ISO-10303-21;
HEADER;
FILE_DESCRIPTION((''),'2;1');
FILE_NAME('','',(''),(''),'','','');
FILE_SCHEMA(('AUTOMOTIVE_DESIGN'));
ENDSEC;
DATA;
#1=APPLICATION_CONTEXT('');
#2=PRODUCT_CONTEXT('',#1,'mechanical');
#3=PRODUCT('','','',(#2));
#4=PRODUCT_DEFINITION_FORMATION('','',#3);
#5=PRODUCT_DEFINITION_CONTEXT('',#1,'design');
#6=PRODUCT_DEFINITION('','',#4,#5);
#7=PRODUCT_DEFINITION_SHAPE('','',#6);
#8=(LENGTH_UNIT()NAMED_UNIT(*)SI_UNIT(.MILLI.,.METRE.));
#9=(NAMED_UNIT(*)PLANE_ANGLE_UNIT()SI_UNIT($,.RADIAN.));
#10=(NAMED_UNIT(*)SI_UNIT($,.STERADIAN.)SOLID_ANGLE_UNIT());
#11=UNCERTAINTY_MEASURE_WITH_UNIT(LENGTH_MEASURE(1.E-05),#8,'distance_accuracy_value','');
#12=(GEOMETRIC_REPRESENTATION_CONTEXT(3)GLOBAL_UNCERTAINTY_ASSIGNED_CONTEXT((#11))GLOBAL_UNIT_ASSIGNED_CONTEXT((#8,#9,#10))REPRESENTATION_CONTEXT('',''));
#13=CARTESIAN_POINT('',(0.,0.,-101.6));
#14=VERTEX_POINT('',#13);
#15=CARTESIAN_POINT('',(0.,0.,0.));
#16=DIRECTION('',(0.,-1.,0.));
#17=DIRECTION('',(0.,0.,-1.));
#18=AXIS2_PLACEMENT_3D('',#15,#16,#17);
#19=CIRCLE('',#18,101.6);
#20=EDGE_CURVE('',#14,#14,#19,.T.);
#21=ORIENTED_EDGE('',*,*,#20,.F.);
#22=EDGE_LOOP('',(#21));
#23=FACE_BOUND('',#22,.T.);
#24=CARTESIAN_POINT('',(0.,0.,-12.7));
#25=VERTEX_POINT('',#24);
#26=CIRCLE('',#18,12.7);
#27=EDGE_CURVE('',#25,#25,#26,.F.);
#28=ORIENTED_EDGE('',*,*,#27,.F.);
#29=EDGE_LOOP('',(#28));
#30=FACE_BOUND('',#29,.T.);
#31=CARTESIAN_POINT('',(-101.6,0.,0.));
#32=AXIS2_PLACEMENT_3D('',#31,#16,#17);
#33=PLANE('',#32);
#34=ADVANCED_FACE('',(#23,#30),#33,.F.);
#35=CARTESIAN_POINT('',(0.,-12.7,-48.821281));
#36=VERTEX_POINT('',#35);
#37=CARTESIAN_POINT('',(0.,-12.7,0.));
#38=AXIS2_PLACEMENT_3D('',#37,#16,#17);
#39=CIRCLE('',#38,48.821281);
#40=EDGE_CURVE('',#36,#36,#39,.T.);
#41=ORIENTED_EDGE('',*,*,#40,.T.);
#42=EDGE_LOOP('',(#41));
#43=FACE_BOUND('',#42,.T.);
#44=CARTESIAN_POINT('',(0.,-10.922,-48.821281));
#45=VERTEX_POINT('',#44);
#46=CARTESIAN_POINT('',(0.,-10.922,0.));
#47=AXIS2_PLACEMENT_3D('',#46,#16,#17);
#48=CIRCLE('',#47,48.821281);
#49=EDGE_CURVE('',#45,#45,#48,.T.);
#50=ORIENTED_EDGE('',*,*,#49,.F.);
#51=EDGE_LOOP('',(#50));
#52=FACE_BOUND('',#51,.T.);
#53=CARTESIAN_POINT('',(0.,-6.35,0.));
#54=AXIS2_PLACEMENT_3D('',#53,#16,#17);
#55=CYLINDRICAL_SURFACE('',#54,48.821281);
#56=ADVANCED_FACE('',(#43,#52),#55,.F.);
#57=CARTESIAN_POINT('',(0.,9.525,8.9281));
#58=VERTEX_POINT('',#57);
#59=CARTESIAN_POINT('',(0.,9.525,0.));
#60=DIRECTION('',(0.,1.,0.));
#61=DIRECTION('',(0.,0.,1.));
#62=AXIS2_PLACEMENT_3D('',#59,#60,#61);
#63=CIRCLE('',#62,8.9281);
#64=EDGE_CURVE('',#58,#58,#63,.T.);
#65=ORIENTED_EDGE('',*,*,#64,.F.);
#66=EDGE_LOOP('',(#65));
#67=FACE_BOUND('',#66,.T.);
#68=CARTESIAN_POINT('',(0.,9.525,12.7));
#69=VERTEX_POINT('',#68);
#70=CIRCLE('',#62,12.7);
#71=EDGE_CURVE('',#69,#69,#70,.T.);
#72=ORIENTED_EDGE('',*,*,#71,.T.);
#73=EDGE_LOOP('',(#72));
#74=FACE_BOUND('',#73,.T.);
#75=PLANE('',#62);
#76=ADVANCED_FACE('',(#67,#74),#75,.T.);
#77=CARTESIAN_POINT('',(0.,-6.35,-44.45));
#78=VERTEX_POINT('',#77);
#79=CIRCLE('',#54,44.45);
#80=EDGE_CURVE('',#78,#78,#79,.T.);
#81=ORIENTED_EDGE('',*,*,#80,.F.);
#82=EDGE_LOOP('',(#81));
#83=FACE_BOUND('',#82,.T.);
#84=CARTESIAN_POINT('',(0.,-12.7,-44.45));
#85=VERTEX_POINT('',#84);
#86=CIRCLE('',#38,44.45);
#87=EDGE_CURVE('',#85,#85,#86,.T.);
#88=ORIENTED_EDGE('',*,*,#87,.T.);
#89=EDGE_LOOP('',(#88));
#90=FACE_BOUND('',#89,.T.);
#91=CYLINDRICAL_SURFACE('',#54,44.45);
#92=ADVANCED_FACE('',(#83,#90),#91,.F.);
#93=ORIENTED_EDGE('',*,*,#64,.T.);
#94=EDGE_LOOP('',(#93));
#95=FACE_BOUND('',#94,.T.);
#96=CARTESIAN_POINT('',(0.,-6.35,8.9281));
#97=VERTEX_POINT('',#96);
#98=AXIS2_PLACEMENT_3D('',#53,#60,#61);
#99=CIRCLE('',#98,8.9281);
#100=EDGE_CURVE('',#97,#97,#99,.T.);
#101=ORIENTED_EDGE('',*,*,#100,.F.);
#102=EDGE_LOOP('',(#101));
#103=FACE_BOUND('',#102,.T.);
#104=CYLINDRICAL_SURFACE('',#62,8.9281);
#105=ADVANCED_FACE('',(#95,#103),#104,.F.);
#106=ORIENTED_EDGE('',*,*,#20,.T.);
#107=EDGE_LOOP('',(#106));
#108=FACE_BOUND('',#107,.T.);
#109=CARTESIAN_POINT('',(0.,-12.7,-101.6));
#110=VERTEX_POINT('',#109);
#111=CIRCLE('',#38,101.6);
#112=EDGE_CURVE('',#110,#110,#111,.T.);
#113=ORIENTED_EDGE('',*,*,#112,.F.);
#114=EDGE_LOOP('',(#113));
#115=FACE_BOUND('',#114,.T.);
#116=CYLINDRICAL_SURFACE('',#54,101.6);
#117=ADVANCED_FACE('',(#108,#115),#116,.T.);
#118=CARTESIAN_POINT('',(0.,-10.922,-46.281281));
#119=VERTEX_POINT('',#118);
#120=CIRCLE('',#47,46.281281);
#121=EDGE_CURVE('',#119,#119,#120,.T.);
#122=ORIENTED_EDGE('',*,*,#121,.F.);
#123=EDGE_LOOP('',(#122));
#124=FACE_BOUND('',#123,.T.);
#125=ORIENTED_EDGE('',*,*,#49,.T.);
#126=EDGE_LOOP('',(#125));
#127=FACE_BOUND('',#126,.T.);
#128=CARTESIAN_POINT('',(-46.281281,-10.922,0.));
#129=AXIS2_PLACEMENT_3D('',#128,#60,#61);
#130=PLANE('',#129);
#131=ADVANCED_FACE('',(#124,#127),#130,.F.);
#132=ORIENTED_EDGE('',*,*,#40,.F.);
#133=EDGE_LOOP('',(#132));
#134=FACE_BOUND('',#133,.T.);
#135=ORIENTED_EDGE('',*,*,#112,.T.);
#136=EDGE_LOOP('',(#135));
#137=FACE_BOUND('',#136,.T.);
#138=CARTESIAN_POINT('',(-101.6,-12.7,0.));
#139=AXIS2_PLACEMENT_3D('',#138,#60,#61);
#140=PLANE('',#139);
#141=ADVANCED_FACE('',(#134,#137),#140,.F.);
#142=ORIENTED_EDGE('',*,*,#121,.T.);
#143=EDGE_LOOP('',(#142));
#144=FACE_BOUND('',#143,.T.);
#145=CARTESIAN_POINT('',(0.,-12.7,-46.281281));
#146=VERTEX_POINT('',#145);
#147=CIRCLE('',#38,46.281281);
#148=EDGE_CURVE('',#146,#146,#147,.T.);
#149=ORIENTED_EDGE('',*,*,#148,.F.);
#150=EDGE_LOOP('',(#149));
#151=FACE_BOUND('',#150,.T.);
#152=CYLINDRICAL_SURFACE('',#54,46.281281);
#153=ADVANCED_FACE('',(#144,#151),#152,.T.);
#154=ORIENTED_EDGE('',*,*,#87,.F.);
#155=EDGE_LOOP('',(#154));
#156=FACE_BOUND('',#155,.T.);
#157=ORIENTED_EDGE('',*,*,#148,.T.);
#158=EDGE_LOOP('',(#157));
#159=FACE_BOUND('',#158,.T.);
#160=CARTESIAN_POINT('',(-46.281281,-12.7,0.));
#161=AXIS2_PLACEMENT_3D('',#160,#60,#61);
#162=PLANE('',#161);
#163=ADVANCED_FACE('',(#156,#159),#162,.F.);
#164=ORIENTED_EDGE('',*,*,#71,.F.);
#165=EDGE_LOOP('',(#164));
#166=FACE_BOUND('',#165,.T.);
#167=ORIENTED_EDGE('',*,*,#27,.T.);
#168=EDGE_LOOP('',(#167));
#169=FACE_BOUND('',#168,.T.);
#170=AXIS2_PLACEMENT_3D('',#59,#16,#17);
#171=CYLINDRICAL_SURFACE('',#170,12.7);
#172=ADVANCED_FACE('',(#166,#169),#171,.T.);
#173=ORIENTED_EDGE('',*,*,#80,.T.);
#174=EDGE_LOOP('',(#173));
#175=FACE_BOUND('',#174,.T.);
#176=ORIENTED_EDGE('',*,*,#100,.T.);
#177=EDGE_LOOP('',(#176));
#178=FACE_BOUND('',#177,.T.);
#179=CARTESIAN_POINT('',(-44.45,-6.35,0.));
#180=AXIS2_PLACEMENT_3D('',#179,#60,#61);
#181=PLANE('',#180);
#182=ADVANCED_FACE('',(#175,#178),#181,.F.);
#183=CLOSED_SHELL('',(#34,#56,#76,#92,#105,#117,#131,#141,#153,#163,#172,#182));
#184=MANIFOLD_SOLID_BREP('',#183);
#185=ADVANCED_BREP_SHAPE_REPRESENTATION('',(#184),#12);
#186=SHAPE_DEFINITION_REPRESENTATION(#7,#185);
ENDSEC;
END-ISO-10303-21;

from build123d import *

# Parameters (mm, degrees)
SKETCH2_R                         = 12.7
BOSS_EXTRUDE1_DEPTH               = 9.525
PIPE_TAP_DRILL_FOR_1_2_TAP1_D     = 17.8562
PIPE_TAP_DRILL_FOR_1_2_TAP1_DEPTH = 31.75
PIPE_TAP_DRILL_FOR_1_2_TAP1_TIP   = 5.364543693


with BuildPart() as part:
    # Sketch1 → Revolve1 (revolve)
    with BuildSketch(Plane.XY):
        Polygon((-101.6, 0), (-101.6, -12.7), (-48.821281066, -12.7), (-48.821281066, -10.922), (-46.281281066, -10.922), (-46.281281066, -12.7), (-44.45, -12.7), (-44.45, -6.35), (0, -6.35), (0, 0), align=None)
    revolve(axis=Axis((0, -6.35, 0), (0, 1, 0)))

    # Sketch2 → Boss-Extrude1 (add)
    with BuildSketch(Plane(origin=(0, 0, 0), x_dir=(1, 0, 0), z_dir=(0, 1, 0))):
        Circle(SKETCH2_R)
    extrude(amount=BOSS_EXTRUDE1_DEPTH)

    # Pipe Tap Drill for 1/2 Tap1
    with Locations(Plane(origin=(0, 9.525, 0), x_dir=(1, 0, 0), z_dir=(0, 1, 0))):
        with Locations((0, 0)):
            Hole(PIPE_TAP_DRILL_FOR_1_2_TAP1_D / 2, depth=PIPE_TAP_DRILL_FOR_1_2_TAP1_DEPTH)
            with Locations((0, 0, -(PIPE_TAP_DRILL_FOR_1_2_TAP1_DEPTH + PIPE_TAP_DRILL_FOR_1_2_TAP1_TIP / 2))):  # 118° drill point
                Cone(0, PIPE_TAP_DRILL_FOR_1_2_TAP1_D / 2, PIPE_TAP_DRILL_FOR_1_2_TAP1_TIP, mode=Mode.SUBTRACT)


solid = part.part
